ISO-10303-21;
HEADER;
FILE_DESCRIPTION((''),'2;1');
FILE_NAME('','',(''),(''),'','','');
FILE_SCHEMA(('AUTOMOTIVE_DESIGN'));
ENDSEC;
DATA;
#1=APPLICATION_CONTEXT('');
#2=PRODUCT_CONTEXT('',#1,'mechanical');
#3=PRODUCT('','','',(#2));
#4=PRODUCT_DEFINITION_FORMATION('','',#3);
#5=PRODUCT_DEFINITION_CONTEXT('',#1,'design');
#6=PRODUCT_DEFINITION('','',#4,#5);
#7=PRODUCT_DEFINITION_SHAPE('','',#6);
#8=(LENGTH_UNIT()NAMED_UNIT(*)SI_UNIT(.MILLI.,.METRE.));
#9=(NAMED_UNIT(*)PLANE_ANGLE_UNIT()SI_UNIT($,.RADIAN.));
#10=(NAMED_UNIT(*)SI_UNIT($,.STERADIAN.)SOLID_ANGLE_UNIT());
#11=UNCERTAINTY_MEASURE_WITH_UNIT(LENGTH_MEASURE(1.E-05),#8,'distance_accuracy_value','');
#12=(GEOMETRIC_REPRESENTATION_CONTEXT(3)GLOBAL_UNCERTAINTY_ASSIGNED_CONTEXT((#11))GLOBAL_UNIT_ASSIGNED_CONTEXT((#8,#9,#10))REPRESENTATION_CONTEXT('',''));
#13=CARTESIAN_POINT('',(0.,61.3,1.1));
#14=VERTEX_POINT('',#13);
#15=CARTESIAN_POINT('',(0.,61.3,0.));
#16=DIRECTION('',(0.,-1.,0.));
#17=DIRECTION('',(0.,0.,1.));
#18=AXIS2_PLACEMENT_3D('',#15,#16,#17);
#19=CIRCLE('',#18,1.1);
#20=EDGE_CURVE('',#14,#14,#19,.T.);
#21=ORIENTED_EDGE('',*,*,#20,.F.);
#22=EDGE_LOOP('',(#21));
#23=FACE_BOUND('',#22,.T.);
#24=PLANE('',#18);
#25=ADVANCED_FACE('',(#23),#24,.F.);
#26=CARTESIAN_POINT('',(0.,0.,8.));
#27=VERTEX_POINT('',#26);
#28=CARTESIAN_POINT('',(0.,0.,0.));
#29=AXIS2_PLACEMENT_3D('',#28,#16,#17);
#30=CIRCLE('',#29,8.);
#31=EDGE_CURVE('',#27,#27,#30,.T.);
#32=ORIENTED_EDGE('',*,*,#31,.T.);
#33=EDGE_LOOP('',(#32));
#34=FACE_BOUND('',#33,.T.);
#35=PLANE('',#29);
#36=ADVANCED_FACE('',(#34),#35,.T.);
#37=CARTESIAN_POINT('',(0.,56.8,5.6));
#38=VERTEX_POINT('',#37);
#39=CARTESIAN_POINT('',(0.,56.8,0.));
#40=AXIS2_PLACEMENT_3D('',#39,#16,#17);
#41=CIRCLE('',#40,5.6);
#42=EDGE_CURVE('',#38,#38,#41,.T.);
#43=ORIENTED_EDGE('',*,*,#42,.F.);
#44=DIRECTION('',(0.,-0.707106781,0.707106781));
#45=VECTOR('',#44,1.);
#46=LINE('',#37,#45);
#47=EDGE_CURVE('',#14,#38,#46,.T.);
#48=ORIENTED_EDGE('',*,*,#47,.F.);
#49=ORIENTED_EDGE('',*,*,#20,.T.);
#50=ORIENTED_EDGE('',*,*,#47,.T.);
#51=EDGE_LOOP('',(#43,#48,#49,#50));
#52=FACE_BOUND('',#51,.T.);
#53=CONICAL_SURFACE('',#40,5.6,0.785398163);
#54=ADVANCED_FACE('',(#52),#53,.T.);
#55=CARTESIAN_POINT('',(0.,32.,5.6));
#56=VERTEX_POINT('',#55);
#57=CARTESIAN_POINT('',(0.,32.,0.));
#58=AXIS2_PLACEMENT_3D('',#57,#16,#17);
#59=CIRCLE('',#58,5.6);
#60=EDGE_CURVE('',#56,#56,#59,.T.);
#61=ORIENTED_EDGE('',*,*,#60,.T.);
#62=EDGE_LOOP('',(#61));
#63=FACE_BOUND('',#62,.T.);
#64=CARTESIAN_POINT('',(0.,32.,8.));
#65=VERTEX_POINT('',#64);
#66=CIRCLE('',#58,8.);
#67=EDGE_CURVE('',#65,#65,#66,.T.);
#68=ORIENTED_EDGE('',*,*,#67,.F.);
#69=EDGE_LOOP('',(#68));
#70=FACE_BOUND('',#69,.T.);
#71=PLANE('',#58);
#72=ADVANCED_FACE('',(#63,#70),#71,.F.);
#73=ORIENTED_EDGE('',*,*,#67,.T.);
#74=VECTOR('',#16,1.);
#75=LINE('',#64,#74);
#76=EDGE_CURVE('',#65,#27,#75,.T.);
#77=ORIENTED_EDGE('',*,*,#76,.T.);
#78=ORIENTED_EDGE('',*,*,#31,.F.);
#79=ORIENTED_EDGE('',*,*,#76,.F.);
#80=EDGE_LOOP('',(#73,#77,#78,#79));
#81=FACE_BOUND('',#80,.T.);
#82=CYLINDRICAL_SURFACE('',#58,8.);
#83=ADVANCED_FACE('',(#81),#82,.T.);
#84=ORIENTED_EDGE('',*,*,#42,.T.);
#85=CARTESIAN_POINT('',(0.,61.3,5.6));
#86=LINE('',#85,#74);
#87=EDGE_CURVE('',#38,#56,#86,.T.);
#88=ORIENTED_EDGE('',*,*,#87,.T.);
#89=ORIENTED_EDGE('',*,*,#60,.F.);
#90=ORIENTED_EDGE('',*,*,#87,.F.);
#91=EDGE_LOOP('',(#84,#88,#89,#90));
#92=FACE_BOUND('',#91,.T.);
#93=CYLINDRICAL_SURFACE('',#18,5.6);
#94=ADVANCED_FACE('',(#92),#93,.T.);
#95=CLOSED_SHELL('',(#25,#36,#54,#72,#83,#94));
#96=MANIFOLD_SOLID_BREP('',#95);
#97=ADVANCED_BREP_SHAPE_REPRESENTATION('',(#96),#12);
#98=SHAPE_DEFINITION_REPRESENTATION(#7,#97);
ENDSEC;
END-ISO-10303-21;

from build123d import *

# Parameters (mm, degrees)
F2_SIZE = 4.5


with BuildPart() as f1:
    # F0 (on Right) → F1 (revolve)
    with BuildSketch(Plane.YZ):
        Polygon((0, 8), (0, 0), (61.3, 0), (61.3, 5.6), (32, 5.6), (32, 8), align=None)
    revolve(axis=Axis((0, 30.65, 0), (0, -1, 0)))

    # F2
    f2_edges = [f1.edges().sort_by_distance(p)[0] for p in [
        (0, 61.3, -5.6),
    ]]
    chamfer(f2_edges, length=F2_SIZE)


solid = f1.part
